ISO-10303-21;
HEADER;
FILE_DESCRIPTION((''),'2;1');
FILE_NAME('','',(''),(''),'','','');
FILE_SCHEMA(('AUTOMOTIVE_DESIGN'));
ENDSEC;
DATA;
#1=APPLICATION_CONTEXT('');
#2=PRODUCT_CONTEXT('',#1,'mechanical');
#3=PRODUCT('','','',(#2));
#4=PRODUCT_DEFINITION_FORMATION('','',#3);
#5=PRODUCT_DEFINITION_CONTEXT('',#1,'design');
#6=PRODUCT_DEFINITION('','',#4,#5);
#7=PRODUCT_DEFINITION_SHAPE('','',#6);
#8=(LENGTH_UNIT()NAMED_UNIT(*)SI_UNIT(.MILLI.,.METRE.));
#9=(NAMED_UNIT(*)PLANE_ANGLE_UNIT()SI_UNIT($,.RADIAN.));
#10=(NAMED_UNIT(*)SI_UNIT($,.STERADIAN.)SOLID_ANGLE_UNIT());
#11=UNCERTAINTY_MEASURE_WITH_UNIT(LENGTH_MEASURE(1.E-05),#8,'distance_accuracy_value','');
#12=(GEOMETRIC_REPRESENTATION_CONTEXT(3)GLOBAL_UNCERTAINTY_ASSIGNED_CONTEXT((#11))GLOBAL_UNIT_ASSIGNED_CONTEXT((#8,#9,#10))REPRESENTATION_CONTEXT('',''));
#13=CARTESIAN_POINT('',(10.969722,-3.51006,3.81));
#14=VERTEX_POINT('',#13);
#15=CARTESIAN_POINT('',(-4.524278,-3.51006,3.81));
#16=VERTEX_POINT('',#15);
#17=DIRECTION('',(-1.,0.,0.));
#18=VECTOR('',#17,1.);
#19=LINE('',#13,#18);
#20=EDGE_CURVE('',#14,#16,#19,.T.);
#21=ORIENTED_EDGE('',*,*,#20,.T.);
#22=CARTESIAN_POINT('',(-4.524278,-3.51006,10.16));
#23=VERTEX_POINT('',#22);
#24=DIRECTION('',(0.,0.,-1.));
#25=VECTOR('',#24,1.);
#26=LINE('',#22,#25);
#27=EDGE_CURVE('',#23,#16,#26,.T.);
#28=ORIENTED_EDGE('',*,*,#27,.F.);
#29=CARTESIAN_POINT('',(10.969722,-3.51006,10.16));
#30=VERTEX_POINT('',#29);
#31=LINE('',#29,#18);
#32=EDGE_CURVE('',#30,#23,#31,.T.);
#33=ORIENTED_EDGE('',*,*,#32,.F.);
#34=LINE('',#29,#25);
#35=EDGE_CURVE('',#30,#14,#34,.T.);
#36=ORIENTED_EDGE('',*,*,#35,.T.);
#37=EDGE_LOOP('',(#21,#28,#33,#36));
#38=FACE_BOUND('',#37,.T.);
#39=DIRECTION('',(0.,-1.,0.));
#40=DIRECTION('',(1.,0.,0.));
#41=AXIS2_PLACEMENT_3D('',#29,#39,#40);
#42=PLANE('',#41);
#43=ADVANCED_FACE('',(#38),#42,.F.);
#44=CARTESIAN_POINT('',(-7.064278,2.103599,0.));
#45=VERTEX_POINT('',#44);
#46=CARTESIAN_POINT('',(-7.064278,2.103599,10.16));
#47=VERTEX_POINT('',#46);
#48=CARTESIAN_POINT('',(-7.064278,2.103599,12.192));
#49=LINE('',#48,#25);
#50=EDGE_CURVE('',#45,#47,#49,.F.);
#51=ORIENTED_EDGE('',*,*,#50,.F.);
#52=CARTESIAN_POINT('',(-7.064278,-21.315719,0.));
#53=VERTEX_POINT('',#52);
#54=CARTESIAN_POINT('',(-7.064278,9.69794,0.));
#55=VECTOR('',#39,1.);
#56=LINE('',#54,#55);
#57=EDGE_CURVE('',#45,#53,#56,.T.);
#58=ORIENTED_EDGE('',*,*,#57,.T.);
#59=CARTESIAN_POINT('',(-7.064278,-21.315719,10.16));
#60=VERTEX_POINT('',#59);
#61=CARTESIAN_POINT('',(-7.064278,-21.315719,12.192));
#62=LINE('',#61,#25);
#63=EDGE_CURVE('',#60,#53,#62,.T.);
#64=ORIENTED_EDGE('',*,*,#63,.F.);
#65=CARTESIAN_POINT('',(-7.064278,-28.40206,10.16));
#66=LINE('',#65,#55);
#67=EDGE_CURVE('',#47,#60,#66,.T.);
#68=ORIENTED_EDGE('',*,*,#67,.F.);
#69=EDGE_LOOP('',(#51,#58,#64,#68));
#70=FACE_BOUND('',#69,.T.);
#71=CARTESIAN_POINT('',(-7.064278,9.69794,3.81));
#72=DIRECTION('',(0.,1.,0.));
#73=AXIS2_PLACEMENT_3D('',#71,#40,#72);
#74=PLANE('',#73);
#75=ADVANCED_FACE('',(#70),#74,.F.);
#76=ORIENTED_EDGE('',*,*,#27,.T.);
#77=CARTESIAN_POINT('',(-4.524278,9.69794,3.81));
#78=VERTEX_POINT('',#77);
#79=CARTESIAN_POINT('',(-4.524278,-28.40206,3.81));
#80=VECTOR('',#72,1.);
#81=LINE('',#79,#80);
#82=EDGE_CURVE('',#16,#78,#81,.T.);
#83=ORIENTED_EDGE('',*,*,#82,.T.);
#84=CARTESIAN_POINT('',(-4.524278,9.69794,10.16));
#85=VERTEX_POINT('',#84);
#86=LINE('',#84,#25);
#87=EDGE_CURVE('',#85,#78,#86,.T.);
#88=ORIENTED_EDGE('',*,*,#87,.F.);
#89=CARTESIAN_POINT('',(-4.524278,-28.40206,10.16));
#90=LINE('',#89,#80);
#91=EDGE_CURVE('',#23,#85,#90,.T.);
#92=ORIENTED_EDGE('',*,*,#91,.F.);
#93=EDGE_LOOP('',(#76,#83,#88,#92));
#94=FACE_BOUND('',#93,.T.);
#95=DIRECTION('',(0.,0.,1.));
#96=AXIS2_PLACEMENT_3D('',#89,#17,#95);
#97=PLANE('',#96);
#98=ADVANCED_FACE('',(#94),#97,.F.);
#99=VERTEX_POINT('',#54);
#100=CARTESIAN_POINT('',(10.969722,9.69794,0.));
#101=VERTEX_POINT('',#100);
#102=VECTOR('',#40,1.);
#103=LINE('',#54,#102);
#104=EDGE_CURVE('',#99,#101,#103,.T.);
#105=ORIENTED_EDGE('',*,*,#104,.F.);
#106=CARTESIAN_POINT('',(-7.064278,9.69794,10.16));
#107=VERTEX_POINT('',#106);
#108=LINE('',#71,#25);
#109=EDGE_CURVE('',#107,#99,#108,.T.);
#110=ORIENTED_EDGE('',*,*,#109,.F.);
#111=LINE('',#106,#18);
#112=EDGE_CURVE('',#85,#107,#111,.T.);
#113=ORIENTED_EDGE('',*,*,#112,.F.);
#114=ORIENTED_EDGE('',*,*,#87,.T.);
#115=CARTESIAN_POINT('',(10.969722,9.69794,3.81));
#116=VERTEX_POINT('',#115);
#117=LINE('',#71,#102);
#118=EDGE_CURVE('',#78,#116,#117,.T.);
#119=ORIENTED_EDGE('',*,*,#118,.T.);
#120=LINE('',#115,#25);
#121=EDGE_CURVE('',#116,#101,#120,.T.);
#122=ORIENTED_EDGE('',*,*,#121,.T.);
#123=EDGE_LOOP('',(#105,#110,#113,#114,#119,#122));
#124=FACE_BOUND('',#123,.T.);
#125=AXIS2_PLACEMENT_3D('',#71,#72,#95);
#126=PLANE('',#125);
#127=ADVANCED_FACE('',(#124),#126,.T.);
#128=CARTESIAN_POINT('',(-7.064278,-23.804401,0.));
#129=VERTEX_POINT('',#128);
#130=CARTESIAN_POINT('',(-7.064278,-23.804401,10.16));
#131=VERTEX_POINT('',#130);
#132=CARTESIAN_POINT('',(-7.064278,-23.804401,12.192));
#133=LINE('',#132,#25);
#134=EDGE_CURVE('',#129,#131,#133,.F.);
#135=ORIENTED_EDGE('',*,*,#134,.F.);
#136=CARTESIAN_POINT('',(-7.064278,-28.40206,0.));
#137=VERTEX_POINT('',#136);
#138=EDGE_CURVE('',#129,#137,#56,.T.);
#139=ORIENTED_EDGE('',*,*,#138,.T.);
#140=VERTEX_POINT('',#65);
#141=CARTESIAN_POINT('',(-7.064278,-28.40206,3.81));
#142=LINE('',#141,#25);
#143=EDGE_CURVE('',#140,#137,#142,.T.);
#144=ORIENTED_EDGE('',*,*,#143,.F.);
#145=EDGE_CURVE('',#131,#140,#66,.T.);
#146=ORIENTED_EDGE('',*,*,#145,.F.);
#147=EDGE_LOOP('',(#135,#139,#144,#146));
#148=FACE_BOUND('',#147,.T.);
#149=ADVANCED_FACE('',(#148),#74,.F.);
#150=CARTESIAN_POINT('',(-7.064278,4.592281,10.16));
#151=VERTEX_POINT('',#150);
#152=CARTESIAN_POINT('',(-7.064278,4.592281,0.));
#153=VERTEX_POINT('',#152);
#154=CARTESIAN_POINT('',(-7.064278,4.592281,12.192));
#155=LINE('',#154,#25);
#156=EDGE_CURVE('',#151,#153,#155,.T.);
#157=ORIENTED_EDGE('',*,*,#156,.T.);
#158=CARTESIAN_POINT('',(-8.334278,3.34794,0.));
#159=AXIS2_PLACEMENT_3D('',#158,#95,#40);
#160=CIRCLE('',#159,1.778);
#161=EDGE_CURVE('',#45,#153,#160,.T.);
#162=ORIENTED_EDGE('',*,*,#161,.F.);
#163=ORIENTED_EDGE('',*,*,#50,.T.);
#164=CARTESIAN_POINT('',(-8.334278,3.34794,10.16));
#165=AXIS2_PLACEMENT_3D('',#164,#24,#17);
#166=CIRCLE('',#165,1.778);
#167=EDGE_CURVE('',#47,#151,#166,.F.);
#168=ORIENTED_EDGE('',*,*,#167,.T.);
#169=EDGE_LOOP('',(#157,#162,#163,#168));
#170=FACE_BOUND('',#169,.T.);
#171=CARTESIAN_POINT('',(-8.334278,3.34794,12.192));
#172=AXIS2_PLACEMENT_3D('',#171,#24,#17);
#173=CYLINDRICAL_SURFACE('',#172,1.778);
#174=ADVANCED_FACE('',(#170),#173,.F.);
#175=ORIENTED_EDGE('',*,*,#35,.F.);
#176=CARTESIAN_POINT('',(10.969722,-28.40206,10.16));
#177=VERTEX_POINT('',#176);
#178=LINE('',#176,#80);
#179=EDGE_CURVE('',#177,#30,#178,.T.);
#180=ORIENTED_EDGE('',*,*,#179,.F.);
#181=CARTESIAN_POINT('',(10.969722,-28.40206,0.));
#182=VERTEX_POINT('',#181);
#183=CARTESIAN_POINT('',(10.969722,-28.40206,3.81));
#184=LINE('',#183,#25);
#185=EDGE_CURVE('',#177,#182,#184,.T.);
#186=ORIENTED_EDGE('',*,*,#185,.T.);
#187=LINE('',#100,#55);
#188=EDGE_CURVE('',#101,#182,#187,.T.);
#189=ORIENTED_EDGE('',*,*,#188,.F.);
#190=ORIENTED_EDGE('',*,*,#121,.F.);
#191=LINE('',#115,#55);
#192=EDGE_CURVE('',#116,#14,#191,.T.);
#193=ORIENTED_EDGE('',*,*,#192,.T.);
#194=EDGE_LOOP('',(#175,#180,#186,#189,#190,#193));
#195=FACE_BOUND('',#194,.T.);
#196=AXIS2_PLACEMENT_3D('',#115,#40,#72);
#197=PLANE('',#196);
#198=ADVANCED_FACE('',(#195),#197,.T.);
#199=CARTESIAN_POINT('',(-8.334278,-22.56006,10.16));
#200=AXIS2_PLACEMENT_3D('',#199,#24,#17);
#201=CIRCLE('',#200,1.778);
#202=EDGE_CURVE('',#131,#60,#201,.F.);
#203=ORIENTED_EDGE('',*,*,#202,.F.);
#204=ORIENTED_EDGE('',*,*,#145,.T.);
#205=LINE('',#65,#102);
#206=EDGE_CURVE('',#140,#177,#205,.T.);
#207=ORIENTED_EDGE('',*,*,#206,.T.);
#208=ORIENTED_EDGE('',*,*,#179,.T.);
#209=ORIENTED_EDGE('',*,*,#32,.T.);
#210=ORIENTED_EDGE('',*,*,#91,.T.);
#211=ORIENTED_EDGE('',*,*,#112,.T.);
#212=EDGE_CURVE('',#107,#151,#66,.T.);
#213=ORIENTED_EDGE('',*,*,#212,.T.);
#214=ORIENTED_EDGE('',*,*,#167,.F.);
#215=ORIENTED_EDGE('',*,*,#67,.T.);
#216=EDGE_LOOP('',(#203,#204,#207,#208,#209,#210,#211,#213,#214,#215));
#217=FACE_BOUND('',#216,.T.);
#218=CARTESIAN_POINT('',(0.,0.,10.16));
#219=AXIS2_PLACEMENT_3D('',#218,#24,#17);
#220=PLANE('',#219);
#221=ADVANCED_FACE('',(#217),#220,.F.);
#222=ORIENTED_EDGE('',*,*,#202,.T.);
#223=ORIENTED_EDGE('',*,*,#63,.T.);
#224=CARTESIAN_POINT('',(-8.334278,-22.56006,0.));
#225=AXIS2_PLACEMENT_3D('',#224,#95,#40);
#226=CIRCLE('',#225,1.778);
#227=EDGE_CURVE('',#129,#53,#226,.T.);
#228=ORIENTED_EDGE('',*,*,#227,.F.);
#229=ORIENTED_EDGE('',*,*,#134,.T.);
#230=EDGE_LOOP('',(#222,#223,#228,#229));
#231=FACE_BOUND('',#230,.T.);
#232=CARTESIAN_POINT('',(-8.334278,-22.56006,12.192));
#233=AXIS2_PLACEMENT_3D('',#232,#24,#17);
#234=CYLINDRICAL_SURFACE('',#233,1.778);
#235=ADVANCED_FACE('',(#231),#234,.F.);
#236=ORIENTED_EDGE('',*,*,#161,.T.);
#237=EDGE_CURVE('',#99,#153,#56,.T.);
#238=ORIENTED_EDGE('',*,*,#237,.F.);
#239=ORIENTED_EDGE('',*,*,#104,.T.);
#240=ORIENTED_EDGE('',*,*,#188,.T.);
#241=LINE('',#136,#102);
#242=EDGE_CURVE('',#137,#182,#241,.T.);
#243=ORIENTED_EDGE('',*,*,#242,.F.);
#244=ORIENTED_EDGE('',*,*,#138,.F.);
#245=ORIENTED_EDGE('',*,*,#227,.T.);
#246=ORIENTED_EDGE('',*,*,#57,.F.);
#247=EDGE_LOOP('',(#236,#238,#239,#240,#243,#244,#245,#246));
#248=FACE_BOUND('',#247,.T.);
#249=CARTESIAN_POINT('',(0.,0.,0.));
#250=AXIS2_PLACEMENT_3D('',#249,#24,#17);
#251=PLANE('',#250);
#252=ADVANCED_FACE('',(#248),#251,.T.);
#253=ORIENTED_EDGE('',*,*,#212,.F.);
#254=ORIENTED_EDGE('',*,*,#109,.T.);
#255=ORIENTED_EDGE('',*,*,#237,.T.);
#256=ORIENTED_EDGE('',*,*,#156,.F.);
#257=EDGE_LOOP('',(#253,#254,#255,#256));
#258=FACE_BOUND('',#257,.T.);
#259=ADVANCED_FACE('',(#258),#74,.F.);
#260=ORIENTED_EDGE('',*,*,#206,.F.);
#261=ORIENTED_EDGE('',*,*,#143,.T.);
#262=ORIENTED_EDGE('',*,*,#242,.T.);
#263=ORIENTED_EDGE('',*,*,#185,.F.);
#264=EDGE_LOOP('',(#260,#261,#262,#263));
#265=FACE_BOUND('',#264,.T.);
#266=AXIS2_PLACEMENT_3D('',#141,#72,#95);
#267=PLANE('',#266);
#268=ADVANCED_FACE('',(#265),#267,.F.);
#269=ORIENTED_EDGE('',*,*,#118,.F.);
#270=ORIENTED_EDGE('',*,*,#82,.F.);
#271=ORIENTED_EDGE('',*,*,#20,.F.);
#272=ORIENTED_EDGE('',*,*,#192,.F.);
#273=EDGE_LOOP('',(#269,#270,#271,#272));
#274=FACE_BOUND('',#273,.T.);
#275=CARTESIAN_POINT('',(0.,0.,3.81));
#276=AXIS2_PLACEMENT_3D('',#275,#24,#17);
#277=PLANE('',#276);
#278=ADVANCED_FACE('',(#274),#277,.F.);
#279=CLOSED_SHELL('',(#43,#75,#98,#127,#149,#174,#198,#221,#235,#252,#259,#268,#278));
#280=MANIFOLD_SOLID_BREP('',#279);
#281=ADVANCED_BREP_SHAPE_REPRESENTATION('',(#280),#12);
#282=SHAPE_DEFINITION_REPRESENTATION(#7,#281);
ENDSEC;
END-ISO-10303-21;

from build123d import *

# Parameters (mm, degrees)
SKETCH1_W           = 18.034
SKETCH1_H           = 38.1
BOSS_EXTRUDE1_DEPTH = 3.81
SKETCH2_W           = 2.54
SKETCH2_H           = 38.1
SKETCH2_H_2         = 24.892
BOSS_EXTRUDE2_DEPTH = 6.35
SKETCH4_W           = 12.954
SKETCH4_H           = 3.17934121
BOSS_EXTRUDE4_DEPTH = 6.35
SKETCH6_R           = 1.778
CUT_EXTRUDE1_DEPTH  = 12.192
SKETCH7_W           = 12.954
SKETCH7_H           = 21.71265879
BOSS_EXTRUDE5_DEPTH = 6.35


with BuildPart() as part:
    # Sketch1 → Boss-Extrude1 (new body)
    with BuildSketch(Plane.XY):
        with Locations((1.952722402, -9.352060056)):
            Rectangle(SKETCH1_W, SKETCH1_H)
    extrude(amount=BOSS_EXTRUDE1_DEPTH)

    # Sketch2 → Boss-Extrude2 (add)
    with BuildSketch(Plane.XY.offset(3.81)):
        with Locations((-5.794277598, -9.352060056)):
            Rectangle(SKETCH2_W, SKETCH2_H)
        with Locations((9.699722402, -15.956060056)):
            Rectangle(SKETCH2_W, SKETCH2_H_2)
    extrude(amount=BOSS_EXTRUDE2_DEPTH)

    # Sketch4 → Boss-Extrude4 (add)
    with BuildSketch(Plane.XY.offset(3.81)):
        with Locations((1.952722402, -5.099730661)):
            Rectangle(SKETCH4_W, SKETCH4_H)
    extrude(amount=BOSS_EXTRUDE4_DEPTH)

    # Sketch6 → Cut-Extrude1 (cut)
    with BuildSketch(Plane.XY):
        with Locations((-8.334277598, 3.347939944)):
            Circle(SKETCH6_R)
        with Locations((-8.334277598, -22.560060056)):
            Circle(SKETCH6_R)
    extrude(amount=CUT_EXTRUDE1_DEPTH, mode=Mode.SUBTRACT)

    # Sketch7 → Boss-Extrude5 (add)
    with BuildSketch(Plane.XY.offset(3.81)):
        with Locations((1.952722402, -17.545730661)):
            Rectangle(SKETCH7_W, SKETCH7_H)
    extrude(amount=BOSS_EXTRUDE5_DEPTH)


solid = part.part
